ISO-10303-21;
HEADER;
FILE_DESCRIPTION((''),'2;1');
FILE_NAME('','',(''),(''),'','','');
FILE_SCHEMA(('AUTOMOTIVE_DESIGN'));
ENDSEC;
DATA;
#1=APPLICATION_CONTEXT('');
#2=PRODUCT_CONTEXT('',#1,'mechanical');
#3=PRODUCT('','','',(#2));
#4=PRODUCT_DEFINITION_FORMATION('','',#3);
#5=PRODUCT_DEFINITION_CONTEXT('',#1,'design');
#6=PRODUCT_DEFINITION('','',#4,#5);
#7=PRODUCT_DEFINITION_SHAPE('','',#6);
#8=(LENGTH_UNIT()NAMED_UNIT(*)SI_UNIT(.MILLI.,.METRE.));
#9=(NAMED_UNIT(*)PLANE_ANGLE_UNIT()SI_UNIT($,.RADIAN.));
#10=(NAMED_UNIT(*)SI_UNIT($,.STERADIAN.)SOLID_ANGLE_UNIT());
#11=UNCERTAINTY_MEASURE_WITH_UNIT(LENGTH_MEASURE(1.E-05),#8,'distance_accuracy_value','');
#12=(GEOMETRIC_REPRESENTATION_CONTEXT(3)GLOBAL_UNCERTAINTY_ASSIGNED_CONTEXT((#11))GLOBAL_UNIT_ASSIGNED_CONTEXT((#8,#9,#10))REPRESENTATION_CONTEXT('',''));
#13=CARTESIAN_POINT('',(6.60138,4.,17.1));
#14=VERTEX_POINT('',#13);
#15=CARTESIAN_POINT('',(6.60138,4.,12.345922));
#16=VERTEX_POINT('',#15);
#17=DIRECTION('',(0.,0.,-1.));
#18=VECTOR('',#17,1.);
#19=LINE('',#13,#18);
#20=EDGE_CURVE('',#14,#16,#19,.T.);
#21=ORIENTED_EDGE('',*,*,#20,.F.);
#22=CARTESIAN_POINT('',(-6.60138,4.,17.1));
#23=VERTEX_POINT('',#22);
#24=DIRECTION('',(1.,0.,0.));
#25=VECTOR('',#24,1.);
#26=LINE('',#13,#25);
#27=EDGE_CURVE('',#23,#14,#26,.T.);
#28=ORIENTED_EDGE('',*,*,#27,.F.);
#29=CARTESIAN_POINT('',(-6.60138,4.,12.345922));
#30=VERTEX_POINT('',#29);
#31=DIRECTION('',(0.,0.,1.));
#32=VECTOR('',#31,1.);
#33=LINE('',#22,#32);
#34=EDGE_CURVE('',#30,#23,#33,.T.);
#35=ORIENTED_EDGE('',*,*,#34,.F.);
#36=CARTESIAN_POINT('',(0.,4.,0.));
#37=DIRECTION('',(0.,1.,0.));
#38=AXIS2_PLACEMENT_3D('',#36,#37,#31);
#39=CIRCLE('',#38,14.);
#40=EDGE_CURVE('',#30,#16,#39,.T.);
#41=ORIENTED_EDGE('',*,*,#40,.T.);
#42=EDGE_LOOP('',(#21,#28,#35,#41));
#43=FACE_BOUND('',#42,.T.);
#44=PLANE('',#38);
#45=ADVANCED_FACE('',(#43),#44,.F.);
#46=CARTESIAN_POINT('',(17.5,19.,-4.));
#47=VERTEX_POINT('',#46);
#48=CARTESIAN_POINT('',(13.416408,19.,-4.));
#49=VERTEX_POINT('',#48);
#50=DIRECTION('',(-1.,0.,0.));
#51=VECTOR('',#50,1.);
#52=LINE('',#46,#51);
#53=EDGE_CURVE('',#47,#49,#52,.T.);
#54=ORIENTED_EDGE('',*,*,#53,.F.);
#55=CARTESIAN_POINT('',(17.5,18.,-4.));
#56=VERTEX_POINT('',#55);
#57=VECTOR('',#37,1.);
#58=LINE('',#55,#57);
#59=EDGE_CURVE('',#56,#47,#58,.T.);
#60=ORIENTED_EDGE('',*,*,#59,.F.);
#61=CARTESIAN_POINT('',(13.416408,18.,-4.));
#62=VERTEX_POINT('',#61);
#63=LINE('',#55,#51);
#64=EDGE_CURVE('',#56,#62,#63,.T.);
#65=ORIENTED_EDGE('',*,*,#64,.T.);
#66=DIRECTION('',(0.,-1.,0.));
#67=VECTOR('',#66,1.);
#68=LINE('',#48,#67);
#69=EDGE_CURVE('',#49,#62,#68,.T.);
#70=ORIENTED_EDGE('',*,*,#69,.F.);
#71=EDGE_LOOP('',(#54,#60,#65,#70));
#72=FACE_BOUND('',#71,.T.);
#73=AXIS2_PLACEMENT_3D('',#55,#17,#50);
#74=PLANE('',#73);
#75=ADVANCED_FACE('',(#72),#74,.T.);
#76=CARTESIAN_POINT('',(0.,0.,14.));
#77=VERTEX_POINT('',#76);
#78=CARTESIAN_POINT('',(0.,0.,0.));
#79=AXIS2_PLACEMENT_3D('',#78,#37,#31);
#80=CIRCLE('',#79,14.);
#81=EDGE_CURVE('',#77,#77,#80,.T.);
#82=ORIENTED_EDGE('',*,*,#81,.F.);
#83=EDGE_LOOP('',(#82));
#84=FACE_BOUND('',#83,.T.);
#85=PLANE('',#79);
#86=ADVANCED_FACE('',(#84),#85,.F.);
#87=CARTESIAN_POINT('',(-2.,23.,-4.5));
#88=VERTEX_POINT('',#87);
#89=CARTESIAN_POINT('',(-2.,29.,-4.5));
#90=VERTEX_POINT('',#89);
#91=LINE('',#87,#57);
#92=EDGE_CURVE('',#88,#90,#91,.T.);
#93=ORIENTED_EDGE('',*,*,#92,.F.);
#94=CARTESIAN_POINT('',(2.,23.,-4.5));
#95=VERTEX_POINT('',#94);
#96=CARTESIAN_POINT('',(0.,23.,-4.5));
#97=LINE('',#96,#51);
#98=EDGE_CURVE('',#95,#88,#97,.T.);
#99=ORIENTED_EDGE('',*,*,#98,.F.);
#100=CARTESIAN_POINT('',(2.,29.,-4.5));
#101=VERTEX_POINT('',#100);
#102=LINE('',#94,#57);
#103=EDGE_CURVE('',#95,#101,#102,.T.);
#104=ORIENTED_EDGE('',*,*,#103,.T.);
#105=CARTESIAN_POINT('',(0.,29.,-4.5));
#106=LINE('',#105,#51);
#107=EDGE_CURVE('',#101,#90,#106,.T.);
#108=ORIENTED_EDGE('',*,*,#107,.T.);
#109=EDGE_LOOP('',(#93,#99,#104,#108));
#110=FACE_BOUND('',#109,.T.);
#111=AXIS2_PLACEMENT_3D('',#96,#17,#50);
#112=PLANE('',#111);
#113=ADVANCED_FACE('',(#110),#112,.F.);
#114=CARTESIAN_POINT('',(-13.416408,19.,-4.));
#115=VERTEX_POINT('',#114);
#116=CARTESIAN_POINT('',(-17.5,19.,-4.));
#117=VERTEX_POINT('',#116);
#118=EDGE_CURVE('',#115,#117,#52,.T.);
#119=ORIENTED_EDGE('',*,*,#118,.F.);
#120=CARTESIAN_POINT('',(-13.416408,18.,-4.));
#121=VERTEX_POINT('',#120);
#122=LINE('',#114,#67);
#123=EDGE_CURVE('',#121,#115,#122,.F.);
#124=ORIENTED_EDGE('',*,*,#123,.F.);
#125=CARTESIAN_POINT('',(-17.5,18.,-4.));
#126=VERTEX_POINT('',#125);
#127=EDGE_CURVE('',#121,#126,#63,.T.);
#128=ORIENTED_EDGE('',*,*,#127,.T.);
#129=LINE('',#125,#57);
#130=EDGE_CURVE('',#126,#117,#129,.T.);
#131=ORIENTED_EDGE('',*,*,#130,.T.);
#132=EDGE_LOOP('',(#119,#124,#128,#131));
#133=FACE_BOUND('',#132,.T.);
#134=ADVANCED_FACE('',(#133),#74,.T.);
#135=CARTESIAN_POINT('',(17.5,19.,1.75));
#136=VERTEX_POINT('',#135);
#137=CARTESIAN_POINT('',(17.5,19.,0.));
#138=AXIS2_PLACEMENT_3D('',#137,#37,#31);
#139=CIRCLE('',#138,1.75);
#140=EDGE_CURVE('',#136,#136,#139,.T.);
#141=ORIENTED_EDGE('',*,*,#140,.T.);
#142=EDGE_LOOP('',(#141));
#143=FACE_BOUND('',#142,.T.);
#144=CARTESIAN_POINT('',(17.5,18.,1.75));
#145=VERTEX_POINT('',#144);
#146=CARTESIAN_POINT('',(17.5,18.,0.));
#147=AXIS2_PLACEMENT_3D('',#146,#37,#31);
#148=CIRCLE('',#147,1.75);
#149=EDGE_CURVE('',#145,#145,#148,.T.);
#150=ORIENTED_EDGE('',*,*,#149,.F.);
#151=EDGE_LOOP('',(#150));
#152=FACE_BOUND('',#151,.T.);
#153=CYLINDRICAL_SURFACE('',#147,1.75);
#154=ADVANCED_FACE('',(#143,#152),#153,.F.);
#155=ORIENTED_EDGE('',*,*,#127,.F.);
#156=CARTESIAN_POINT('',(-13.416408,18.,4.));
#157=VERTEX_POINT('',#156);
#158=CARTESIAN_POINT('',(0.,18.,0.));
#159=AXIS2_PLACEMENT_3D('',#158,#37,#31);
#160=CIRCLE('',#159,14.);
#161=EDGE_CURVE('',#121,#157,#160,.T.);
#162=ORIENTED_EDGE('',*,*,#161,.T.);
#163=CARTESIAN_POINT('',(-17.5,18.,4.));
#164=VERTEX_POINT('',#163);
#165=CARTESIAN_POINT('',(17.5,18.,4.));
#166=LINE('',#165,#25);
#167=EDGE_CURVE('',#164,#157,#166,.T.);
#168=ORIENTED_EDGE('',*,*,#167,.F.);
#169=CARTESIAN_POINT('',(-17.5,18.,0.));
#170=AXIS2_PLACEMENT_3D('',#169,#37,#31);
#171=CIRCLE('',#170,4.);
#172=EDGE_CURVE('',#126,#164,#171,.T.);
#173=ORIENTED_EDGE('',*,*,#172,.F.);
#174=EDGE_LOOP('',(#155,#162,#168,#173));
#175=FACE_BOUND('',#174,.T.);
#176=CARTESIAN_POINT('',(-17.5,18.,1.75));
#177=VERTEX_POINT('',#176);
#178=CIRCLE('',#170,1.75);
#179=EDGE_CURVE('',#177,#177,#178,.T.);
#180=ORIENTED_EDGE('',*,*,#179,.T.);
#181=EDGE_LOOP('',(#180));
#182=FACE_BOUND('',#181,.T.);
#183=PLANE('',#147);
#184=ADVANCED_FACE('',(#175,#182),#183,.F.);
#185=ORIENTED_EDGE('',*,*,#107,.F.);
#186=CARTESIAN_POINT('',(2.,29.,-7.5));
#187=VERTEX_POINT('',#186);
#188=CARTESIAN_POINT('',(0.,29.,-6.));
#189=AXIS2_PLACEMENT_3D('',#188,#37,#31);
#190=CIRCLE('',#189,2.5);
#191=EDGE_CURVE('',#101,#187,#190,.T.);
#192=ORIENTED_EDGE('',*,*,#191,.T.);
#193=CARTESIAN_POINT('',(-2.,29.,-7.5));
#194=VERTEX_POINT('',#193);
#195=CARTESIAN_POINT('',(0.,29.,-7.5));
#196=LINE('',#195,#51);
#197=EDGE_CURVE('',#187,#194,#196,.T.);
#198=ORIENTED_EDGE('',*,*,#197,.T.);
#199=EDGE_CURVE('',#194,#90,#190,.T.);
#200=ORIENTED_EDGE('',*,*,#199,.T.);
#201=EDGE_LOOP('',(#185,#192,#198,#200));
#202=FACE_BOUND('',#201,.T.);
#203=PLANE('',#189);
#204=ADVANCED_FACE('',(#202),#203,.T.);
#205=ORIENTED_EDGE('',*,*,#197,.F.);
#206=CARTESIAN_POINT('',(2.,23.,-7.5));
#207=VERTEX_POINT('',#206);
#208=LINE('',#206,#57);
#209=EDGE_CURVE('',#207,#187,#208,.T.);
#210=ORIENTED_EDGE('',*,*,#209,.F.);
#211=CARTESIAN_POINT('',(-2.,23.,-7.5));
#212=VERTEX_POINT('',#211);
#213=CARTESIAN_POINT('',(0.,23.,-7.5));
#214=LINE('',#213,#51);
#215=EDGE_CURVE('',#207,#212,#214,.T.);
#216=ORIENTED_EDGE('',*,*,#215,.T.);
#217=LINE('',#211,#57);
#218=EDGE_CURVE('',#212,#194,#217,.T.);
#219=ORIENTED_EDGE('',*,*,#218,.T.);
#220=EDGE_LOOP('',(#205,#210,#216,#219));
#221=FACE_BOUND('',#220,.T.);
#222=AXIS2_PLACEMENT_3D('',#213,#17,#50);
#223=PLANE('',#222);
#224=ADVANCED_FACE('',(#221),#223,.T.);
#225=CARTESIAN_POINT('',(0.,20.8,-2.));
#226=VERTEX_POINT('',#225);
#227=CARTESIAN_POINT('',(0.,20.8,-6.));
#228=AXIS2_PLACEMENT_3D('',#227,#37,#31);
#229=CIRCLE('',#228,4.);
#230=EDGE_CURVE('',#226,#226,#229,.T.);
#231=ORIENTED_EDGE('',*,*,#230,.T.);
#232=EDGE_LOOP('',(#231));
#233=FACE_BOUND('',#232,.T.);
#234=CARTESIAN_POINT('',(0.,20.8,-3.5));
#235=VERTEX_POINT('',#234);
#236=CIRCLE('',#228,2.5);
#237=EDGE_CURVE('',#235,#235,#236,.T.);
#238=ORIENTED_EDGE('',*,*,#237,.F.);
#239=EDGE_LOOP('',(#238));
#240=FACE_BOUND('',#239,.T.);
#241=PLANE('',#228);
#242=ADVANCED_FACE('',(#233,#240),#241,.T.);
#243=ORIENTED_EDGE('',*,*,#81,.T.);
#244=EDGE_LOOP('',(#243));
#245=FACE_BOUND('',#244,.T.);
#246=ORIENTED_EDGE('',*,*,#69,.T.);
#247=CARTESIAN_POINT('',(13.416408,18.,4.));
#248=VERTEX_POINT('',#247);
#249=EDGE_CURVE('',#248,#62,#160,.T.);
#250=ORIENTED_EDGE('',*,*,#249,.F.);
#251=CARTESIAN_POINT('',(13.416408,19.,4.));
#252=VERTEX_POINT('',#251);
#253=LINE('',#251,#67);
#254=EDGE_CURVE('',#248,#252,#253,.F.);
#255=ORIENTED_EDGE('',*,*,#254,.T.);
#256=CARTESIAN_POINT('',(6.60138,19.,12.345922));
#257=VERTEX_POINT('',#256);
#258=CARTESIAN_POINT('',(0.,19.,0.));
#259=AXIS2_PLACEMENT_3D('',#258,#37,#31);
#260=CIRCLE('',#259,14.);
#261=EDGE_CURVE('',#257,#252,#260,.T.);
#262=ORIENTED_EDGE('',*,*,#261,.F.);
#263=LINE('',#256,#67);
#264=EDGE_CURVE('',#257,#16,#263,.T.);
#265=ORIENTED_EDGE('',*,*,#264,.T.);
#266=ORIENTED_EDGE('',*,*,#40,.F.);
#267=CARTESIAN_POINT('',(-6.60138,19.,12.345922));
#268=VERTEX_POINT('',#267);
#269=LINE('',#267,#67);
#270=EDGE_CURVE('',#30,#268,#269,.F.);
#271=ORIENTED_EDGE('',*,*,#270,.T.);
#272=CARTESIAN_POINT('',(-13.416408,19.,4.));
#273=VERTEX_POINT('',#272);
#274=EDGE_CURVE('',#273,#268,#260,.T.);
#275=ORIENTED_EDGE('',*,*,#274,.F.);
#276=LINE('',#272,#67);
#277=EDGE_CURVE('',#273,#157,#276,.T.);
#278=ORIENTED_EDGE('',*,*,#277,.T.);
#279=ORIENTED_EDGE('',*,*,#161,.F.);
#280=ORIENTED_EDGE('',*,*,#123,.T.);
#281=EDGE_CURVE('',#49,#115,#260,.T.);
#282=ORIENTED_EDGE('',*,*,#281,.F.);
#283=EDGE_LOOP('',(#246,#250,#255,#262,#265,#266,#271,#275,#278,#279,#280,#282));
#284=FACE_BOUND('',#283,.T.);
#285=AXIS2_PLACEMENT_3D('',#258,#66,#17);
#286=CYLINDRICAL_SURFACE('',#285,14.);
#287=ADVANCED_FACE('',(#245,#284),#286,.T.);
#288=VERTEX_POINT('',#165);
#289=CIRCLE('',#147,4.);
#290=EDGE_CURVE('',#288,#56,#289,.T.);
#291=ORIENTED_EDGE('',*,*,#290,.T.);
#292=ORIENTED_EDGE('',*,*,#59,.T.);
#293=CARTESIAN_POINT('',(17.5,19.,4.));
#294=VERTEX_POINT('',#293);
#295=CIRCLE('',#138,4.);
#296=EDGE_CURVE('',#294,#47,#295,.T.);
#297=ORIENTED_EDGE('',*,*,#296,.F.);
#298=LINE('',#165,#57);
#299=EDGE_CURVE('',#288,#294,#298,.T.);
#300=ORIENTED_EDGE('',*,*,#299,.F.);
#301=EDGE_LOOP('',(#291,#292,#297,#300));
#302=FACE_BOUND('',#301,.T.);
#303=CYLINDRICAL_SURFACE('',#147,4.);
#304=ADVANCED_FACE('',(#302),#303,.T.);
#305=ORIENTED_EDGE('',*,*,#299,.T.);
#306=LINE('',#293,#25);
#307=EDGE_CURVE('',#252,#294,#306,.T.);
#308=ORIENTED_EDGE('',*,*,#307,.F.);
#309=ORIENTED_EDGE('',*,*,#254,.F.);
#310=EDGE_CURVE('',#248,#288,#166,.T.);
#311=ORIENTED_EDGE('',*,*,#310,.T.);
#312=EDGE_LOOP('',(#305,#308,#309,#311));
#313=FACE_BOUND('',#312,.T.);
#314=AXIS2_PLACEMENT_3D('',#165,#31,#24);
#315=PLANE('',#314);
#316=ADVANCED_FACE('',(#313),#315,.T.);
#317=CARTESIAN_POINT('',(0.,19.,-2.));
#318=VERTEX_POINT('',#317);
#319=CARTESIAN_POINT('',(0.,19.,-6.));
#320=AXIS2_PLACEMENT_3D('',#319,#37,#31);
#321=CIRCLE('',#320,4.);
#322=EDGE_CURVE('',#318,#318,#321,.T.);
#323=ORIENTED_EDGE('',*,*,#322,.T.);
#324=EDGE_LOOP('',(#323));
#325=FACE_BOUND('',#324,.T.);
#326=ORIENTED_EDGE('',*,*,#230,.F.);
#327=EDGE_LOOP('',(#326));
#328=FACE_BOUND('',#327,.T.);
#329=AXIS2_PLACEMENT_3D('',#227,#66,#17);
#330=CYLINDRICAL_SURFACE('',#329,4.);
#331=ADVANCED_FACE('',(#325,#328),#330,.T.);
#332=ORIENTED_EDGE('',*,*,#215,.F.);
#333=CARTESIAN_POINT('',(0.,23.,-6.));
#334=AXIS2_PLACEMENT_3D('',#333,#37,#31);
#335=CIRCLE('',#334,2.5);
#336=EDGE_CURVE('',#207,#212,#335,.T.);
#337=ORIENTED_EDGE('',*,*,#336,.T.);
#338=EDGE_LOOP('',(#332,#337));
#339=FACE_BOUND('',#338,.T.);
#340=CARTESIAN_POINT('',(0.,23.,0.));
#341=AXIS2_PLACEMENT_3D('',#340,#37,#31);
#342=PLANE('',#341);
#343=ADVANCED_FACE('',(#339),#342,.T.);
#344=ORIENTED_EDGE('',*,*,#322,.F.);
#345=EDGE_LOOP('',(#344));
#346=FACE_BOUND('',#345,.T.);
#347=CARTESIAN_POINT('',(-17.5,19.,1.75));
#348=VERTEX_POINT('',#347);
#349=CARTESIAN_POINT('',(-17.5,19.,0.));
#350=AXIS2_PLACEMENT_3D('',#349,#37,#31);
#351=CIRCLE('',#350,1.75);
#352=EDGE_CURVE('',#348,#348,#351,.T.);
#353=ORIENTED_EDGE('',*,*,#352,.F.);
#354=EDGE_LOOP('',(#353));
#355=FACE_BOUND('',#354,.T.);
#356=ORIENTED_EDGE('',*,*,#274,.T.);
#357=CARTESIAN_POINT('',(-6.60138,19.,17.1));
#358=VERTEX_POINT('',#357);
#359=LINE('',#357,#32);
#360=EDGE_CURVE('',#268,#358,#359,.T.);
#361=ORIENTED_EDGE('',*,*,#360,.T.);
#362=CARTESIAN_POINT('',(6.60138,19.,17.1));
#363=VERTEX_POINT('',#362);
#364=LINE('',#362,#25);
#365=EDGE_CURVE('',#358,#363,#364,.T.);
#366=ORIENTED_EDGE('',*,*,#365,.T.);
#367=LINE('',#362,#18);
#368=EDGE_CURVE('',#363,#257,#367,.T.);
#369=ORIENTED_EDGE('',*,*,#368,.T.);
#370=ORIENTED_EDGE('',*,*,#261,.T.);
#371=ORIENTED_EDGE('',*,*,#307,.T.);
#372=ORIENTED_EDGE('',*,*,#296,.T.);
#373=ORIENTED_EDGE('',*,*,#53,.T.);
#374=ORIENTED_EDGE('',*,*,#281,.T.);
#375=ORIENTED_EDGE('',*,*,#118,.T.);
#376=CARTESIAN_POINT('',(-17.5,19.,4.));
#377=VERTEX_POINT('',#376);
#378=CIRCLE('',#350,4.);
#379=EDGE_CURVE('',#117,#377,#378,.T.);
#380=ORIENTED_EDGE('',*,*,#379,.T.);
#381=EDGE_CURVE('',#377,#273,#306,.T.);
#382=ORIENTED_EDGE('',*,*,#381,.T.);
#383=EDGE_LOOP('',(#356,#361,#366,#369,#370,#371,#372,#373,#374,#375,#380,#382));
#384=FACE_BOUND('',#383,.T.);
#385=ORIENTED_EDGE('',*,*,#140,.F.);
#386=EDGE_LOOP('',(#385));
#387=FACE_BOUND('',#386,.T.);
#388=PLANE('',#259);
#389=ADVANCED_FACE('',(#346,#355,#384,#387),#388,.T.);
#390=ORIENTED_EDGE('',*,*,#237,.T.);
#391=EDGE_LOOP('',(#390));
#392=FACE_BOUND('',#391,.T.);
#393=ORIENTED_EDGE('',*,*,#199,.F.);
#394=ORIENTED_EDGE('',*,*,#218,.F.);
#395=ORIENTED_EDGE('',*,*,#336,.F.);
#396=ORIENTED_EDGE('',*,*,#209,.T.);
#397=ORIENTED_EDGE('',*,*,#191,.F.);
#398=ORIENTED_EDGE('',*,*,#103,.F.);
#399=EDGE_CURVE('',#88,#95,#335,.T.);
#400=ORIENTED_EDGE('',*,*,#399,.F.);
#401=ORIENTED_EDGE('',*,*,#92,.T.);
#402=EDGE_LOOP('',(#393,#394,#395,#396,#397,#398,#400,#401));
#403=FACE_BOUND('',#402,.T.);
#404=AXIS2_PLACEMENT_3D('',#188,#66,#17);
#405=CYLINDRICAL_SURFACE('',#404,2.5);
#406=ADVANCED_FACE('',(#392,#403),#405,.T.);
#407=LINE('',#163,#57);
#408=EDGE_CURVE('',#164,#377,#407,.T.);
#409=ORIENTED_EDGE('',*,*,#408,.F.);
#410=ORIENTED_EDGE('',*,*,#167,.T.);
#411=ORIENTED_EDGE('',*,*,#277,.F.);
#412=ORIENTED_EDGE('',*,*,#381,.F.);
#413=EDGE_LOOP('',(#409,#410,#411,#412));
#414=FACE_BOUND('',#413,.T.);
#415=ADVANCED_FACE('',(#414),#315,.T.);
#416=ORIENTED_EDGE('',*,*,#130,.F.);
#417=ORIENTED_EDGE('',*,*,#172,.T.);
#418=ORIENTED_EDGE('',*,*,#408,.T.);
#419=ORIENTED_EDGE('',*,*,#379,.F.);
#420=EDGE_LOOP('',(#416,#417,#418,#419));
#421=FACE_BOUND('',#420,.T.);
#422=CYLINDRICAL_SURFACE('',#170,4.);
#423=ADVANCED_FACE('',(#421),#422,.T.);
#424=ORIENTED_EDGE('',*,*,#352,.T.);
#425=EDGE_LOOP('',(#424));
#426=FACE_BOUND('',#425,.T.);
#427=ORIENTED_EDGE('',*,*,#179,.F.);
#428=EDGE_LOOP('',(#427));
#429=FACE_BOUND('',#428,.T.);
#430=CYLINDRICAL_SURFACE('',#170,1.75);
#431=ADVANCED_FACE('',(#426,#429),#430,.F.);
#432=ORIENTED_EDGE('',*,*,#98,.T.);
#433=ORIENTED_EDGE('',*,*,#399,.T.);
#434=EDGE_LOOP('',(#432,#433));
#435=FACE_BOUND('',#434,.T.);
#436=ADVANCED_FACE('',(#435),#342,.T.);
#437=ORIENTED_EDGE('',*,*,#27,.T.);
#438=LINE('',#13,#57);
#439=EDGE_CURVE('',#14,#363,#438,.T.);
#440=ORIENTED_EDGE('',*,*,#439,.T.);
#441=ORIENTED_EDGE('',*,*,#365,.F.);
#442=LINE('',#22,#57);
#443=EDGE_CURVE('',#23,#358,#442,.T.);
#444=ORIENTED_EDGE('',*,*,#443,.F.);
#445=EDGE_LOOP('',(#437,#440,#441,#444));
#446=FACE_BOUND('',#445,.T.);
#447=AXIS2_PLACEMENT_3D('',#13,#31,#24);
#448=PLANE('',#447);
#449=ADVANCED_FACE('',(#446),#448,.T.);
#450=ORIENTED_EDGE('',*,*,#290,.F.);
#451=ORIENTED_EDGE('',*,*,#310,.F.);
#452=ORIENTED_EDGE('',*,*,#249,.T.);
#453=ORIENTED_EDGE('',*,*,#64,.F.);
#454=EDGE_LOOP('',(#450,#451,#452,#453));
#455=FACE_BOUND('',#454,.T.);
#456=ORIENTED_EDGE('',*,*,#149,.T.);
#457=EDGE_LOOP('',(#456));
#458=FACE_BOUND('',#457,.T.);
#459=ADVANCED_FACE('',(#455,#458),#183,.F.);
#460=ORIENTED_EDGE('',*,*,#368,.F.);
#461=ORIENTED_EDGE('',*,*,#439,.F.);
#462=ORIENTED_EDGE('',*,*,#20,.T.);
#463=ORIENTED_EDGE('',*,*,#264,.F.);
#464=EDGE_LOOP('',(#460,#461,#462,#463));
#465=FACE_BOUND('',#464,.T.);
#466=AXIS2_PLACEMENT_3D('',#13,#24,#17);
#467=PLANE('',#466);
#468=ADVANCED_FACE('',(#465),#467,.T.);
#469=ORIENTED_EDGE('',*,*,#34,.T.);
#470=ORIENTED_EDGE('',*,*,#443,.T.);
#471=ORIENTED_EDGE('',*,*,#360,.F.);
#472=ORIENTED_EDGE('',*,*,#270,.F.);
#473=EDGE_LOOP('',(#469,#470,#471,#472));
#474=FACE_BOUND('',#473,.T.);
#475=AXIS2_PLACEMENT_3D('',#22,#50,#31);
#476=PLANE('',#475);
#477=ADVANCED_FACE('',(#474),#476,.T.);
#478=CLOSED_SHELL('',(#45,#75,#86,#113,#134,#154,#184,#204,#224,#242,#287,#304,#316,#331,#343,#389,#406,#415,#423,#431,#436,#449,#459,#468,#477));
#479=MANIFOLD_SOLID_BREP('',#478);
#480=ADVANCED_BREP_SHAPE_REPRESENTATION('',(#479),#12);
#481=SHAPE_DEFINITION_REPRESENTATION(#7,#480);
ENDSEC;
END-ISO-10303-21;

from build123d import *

# Parameters (mm, degrees)
SKETCH_1_R          = 14
EXTRUDE_1_DEPTH     = 19
SKETCH_2_W          = 13.202760332
SKETCH_2_H          = 6.2
EXTRUDE_2_DEPTH     = 15
SKETCH_3_R          = 1.75
EXTRUDE_3_DEPTH     = 1
SKETCH_4_R          = 4
EXTRUDE_4_DEPTH     = 1.8
SKETCH_5_R          = 2.5
EXTRUDE_5_DEPTH     = 8.2
CUT_EXTRUDE_START   = -6
CUT_EXTRUDE_1_DEPTH = 6


with BuildPart() as part:
    # 草图1 → 凸台-拉伸1 (new body)
    with BuildSketch(Plane(origin=(0, 0, 0), x_dir=(1, 0, 0), z_dir=(0, 1, 0))):
        with Locations(Location((0, 0, 0), (0, 0, 270))):
            Circle(SKETCH_1_R)
    extrude(amount=EXTRUDE_1_DEPTH)

    # 草图2 → 凸台-拉伸2 (add)
    with BuildSketch(Plane(origin=(0, 19, 0), x_dir=(1, 0, 0), z_dir=(0, 1, 0))):
        with Locations((0, -14)):
            Rectangle(SKETCH_2_W, SKETCH_2_H)
    extrude(amount=-EXTRUDE_2_DEPTH)

    # 草图3 → 凸台-拉伸3 (add)
    with BuildSketch(Plane(origin=(0, 19, 0), x_dir=(1, 0, 0), z_dir=(0, 1, 0))):
        with BuildLine():
            Line((17.5, -4), (-17.5, -4))
            ThreePointArc((-17.5, -4), (-21.5, 0), (-17.5, 4))
            Line((-17.5, 4), (17.5, 4))
            ThreePointArc((17.5, 4), (21.5, 0), (17.5, -4))
        make_face()
        with Locations(Location((-17.5, 0, 0), (0, 0, 270))):
            Circle(SKETCH_3_R, mode=Mode.SUBTRACT)
        with Locations(Location((17.5, 0, 0), (0, 0, 270))):
            Circle(SKETCH_3_R, mode=Mode.SUBTRACT)
    extrude(amount=-EXTRUDE_3_DEPTH)

    # 草图4 → 凸台-拉伸4 (add)
    with BuildSketch(Plane(origin=(0, 19, 0), x_dir=(1, 0, 0), z_dir=(0, 1, 0))):
        with Locations(Location((0, 6, 0), (0, 0, 270))):
            Circle(SKETCH_4_R)
    extrude(amount=EXTRUDE_4_DEPTH)

    # 草图5 → 凸台-拉伸5 (add)
    with BuildSketch(Plane(origin=(0, 20.8, 0), x_dir=(1, 0, 0), z_dir=(0, 1, 0))):
        with Locations(Location((0, 6, 0), (0, 0, 270))):
            Circle(SKETCH_5_R)
    extrude(amount=EXTRUDE_5_DEPTH)

    # 草图6 → 切除-拉伸1 (cut)
    with BuildSketch(Plane(origin=(0, 29, 0), x_dir=(1, 0, 0), z_dir=(0, 1, 0)).offset(CUT_EXTRUDE_START)):
        with BuildLine():
            Line((2, 4.5), (-2, 4.5))
            ThreePointArc((-2, 4.5), (0, 3.5), (2, 4.5))
        make_face()
        with BuildLine():
            Line((-2, 7.5), (2, 7.5))
            ThreePointArc((2, 7.5), (0, 8.5), (-2, 7.5))
        make_face()
    extrude(amount=CUT_EXTRUDE_1_DEPTH, mode=Mode.SUBTRACT)


solid = part.part
